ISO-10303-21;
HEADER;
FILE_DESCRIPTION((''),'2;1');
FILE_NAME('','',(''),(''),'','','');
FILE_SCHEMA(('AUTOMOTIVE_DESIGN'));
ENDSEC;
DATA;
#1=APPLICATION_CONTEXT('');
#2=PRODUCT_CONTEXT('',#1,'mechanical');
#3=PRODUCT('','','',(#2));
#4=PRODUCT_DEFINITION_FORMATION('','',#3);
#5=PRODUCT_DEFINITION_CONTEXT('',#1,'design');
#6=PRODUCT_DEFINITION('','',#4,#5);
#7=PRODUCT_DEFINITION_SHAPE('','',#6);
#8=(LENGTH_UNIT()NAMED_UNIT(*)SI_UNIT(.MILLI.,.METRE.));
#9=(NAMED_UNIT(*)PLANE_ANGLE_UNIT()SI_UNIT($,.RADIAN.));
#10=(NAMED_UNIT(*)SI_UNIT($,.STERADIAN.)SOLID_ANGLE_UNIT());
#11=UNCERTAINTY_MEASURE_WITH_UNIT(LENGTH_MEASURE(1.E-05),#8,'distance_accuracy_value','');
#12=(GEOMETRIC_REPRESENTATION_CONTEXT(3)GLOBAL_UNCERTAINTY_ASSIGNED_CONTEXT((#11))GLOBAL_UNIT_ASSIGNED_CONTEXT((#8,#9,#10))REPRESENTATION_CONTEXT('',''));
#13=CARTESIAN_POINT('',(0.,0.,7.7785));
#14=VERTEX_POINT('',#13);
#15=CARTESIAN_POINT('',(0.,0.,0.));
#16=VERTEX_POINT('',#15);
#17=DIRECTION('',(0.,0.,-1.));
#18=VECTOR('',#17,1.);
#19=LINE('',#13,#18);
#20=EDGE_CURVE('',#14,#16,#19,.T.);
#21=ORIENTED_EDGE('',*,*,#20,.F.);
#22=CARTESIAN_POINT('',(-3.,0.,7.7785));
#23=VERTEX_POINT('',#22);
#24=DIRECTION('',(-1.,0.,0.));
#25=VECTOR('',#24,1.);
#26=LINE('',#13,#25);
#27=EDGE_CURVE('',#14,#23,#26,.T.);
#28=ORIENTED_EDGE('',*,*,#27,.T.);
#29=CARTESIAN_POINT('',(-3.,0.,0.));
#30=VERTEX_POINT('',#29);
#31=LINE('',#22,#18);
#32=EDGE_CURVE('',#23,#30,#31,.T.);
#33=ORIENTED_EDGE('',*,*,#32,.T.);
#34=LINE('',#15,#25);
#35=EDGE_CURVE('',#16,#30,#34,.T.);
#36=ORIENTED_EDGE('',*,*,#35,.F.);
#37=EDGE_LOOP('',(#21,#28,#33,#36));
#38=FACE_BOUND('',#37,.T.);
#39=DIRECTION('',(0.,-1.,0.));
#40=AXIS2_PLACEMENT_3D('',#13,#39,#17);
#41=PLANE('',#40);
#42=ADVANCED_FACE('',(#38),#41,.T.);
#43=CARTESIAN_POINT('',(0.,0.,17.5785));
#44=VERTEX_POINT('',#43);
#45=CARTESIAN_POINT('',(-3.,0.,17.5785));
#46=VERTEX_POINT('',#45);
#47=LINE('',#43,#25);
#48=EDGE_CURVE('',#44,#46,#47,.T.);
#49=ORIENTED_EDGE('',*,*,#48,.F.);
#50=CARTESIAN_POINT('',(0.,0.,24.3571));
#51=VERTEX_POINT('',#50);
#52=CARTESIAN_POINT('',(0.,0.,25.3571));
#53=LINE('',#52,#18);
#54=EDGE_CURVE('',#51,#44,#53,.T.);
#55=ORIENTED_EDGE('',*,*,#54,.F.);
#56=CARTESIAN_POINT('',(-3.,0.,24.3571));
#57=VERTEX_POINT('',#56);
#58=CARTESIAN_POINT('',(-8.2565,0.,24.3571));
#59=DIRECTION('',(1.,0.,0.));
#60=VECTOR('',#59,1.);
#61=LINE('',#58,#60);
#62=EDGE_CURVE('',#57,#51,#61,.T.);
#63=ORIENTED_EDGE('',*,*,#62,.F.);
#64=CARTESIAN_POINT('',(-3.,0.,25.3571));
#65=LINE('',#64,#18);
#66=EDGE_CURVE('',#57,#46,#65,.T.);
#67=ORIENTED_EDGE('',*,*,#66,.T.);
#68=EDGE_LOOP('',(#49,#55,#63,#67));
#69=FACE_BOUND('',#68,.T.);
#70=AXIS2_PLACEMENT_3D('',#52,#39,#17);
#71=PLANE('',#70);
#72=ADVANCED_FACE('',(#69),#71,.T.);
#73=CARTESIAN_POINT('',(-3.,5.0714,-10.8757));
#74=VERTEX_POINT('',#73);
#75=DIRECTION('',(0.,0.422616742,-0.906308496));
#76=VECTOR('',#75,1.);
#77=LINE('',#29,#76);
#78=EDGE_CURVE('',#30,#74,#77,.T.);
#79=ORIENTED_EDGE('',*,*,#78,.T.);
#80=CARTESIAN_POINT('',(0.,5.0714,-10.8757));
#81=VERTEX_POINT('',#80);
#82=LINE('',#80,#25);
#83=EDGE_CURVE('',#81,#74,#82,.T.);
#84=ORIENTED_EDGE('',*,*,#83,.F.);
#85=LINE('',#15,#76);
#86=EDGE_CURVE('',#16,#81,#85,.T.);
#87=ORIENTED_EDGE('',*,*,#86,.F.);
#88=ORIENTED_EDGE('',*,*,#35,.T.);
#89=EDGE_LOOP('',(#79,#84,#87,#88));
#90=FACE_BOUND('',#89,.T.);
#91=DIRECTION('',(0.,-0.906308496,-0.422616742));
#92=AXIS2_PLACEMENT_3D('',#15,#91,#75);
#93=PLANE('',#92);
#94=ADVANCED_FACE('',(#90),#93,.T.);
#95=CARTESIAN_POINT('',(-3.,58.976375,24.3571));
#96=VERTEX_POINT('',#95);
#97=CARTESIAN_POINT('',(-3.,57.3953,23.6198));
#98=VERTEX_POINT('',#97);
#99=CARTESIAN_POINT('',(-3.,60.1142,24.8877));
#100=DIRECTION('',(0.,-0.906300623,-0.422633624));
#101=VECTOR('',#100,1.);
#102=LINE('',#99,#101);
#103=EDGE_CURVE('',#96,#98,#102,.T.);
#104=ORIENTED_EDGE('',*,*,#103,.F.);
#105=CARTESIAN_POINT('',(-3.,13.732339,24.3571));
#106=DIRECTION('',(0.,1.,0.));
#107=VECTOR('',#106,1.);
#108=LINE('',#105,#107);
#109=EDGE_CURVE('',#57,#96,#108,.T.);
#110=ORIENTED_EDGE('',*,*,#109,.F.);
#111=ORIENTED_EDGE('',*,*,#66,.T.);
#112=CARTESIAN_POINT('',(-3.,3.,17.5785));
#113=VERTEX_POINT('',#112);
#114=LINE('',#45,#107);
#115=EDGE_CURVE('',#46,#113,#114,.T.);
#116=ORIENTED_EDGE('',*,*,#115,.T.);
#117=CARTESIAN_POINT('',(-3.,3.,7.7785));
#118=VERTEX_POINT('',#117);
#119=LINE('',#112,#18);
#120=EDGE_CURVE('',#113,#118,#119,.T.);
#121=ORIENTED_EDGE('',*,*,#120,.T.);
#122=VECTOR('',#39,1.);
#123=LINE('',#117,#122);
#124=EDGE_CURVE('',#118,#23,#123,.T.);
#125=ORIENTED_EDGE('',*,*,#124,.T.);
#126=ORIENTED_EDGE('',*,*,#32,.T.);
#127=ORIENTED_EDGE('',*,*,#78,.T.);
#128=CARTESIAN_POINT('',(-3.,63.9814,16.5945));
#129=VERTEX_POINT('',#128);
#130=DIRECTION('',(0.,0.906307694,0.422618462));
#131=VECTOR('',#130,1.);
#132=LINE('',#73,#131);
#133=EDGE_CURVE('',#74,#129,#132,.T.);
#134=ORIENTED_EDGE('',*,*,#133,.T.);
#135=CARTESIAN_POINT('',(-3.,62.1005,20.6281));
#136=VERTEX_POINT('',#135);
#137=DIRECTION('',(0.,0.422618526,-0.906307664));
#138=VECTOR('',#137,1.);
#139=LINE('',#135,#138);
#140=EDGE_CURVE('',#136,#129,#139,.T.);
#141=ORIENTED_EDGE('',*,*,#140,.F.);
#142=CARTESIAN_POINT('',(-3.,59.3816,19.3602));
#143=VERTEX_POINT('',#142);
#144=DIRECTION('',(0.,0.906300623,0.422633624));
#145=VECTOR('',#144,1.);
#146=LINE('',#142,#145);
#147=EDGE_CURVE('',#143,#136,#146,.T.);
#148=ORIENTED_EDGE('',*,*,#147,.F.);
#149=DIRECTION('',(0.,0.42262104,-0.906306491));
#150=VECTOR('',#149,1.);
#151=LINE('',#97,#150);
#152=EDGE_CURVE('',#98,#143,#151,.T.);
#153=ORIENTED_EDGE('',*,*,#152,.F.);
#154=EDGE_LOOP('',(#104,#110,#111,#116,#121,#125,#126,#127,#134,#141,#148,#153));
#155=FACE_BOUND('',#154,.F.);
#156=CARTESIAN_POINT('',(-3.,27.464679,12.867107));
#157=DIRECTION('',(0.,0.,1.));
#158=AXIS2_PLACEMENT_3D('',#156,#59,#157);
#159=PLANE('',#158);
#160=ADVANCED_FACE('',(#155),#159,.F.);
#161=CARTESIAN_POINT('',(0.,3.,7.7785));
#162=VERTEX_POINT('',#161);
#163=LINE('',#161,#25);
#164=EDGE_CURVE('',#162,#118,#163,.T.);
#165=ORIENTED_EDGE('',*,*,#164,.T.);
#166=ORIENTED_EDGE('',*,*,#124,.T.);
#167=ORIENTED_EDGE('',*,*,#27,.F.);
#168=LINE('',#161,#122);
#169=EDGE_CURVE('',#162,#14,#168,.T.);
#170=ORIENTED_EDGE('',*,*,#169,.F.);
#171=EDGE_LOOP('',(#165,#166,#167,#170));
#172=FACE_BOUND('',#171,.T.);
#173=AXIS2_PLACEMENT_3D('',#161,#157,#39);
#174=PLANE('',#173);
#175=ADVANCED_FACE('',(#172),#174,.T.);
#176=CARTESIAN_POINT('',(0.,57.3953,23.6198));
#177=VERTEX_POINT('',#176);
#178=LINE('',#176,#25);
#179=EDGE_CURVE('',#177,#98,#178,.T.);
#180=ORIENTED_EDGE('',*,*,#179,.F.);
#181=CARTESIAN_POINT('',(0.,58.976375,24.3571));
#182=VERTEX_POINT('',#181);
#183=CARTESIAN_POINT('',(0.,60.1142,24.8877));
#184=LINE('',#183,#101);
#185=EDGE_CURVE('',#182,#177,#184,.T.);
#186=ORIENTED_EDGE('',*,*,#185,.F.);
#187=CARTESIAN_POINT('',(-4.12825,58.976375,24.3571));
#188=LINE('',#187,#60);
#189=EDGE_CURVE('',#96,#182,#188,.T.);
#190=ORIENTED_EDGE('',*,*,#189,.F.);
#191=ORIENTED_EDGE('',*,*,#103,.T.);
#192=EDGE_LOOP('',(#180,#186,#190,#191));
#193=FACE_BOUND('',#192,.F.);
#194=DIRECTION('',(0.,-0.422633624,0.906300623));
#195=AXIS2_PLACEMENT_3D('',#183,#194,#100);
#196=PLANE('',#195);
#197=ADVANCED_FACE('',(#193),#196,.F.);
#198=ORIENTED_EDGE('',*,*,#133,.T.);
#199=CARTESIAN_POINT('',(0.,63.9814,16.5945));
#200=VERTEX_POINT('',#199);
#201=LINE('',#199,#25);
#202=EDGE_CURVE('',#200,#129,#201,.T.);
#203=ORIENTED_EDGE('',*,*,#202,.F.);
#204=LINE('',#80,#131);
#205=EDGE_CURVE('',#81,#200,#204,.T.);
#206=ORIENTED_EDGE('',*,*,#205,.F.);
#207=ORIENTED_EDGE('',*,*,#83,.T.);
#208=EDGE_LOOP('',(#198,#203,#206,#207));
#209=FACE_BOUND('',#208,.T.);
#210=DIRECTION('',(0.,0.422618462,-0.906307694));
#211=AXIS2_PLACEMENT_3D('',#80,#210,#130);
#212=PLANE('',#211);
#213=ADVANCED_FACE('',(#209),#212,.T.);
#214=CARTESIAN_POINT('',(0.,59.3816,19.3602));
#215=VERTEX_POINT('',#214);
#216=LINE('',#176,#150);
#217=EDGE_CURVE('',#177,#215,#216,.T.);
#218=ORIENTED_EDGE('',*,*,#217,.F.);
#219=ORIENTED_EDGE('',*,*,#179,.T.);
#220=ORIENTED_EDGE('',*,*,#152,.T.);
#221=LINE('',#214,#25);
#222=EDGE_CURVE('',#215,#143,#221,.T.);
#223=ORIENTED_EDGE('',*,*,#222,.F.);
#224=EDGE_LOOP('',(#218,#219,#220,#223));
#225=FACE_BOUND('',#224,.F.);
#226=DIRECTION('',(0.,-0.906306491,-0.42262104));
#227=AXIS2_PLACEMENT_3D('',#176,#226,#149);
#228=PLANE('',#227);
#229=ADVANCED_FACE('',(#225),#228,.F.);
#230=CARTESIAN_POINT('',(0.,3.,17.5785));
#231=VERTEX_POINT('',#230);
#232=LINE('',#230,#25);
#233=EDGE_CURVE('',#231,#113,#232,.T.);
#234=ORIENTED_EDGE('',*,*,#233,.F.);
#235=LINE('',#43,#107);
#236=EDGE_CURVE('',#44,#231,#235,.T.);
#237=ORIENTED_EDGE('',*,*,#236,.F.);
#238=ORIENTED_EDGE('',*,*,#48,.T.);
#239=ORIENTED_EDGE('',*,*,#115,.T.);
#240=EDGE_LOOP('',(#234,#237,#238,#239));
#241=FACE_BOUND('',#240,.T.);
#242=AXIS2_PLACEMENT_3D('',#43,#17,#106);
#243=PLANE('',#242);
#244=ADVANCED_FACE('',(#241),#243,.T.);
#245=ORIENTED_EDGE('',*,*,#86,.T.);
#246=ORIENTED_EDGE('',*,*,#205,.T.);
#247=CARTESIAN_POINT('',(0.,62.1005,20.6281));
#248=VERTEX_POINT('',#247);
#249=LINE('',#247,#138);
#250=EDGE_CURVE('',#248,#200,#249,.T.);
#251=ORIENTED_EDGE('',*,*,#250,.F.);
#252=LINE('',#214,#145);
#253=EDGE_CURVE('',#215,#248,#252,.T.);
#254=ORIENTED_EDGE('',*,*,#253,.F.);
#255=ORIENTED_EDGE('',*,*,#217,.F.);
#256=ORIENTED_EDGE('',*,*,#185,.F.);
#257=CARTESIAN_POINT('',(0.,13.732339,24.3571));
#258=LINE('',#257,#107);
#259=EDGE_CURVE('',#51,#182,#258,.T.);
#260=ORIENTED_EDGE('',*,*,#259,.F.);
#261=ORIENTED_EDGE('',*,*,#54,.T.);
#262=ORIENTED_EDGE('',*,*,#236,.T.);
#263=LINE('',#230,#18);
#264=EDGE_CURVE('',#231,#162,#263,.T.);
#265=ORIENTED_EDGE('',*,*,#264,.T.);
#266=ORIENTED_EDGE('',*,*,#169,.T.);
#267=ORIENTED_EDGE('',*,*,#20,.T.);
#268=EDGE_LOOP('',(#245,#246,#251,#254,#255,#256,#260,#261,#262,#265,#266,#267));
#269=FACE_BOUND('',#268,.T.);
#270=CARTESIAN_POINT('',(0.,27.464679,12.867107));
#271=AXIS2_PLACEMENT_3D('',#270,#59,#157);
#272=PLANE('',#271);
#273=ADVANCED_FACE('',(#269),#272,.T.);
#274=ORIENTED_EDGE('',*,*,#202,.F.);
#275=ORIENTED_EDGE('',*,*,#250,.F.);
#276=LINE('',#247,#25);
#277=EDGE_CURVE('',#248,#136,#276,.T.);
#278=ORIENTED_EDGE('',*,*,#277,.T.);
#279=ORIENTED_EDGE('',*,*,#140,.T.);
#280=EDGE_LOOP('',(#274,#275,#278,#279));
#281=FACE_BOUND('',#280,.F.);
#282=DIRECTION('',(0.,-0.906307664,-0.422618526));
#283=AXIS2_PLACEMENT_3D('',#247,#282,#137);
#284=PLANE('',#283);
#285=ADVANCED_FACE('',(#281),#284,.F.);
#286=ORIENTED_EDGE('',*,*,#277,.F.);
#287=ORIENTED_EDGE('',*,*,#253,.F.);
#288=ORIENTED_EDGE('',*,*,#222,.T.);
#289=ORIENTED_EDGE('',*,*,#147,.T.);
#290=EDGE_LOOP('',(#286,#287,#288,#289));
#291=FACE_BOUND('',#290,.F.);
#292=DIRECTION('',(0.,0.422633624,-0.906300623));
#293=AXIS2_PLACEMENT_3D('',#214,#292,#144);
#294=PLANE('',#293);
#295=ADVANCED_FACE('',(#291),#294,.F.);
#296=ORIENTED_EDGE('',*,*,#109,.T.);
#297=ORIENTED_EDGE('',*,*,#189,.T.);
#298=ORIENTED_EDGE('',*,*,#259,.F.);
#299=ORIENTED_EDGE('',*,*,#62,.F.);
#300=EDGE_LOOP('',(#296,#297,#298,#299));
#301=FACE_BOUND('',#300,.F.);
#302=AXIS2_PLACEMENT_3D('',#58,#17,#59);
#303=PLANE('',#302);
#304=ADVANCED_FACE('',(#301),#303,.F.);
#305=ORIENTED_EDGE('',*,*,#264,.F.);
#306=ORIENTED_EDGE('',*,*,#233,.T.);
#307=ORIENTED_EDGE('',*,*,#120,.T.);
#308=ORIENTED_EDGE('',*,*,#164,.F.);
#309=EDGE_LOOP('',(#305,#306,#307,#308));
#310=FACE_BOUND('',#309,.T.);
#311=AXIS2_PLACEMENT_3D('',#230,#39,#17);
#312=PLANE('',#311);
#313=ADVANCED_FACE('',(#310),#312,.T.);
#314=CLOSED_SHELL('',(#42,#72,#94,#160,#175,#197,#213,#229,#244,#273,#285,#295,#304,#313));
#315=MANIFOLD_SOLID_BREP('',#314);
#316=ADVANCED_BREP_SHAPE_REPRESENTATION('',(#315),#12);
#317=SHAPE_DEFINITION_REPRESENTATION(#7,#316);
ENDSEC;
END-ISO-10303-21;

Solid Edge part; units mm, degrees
sketch "Sketch1" plane through (0, 0, 0) normal (1, 0, 0) x (0, 1, 0)
  line L0 (59.8954, 25.3571) -> (0, 25.3571)
  line L1 (0, 25.3571) -> (0, 17.5785)
  line L2 (0, 17.5785) -> (3, 17.5785)
  line L3 (3, 17.5785) -> (3, 7.7785)
  line L4 (3, 7.7785) -> (0, 7.7785)
  line L5 (0, 7.7785) -> (0, 0)
  line L6 (0, 0) -> (5.0714, -10.8757)
  line L7 (5.0714, -10.8757) -> (63.9814, 16.5945)
  line L8 (62.1005, 20.6281) -> (63.9814, 16.5945)
  line L9 (59.3816, 19.3602) -> (62.1005, 20.6281)
  line L10 (57.3953, 23.6198) -> (59.3816, 19.3602)
  line L11 (60.1142, 24.8877) -> (57.3953, 23.6198)
  line L12 (59.8954, 25.3571) -> (60.1142, 24.8877)
  dimension "D1" = 9.8
  dimension "D2" = 3
  dimension "D3" = 65
  dimension "D4" = 12
  dimension "D5" = 25.3571
  dimension "D6" = 4.7
  dimension "D7" = 4.4505
extrude "Protrusion1" add sketch "Sketch1" against normal blind 3
sketch "Sketch2" plane through (0, 0, 0) normal (0, -1, 0) x (1, 0, 0)
  line L0 (-8.2565, 24.3571) -> (6.8913, 24.3571)
  dimension "D1" = 1
extrude "Cutout1" cut sketch "Sketch2" against normal through all material side at (-0.6826, 0, 24.4071)
properties material "Acier"
